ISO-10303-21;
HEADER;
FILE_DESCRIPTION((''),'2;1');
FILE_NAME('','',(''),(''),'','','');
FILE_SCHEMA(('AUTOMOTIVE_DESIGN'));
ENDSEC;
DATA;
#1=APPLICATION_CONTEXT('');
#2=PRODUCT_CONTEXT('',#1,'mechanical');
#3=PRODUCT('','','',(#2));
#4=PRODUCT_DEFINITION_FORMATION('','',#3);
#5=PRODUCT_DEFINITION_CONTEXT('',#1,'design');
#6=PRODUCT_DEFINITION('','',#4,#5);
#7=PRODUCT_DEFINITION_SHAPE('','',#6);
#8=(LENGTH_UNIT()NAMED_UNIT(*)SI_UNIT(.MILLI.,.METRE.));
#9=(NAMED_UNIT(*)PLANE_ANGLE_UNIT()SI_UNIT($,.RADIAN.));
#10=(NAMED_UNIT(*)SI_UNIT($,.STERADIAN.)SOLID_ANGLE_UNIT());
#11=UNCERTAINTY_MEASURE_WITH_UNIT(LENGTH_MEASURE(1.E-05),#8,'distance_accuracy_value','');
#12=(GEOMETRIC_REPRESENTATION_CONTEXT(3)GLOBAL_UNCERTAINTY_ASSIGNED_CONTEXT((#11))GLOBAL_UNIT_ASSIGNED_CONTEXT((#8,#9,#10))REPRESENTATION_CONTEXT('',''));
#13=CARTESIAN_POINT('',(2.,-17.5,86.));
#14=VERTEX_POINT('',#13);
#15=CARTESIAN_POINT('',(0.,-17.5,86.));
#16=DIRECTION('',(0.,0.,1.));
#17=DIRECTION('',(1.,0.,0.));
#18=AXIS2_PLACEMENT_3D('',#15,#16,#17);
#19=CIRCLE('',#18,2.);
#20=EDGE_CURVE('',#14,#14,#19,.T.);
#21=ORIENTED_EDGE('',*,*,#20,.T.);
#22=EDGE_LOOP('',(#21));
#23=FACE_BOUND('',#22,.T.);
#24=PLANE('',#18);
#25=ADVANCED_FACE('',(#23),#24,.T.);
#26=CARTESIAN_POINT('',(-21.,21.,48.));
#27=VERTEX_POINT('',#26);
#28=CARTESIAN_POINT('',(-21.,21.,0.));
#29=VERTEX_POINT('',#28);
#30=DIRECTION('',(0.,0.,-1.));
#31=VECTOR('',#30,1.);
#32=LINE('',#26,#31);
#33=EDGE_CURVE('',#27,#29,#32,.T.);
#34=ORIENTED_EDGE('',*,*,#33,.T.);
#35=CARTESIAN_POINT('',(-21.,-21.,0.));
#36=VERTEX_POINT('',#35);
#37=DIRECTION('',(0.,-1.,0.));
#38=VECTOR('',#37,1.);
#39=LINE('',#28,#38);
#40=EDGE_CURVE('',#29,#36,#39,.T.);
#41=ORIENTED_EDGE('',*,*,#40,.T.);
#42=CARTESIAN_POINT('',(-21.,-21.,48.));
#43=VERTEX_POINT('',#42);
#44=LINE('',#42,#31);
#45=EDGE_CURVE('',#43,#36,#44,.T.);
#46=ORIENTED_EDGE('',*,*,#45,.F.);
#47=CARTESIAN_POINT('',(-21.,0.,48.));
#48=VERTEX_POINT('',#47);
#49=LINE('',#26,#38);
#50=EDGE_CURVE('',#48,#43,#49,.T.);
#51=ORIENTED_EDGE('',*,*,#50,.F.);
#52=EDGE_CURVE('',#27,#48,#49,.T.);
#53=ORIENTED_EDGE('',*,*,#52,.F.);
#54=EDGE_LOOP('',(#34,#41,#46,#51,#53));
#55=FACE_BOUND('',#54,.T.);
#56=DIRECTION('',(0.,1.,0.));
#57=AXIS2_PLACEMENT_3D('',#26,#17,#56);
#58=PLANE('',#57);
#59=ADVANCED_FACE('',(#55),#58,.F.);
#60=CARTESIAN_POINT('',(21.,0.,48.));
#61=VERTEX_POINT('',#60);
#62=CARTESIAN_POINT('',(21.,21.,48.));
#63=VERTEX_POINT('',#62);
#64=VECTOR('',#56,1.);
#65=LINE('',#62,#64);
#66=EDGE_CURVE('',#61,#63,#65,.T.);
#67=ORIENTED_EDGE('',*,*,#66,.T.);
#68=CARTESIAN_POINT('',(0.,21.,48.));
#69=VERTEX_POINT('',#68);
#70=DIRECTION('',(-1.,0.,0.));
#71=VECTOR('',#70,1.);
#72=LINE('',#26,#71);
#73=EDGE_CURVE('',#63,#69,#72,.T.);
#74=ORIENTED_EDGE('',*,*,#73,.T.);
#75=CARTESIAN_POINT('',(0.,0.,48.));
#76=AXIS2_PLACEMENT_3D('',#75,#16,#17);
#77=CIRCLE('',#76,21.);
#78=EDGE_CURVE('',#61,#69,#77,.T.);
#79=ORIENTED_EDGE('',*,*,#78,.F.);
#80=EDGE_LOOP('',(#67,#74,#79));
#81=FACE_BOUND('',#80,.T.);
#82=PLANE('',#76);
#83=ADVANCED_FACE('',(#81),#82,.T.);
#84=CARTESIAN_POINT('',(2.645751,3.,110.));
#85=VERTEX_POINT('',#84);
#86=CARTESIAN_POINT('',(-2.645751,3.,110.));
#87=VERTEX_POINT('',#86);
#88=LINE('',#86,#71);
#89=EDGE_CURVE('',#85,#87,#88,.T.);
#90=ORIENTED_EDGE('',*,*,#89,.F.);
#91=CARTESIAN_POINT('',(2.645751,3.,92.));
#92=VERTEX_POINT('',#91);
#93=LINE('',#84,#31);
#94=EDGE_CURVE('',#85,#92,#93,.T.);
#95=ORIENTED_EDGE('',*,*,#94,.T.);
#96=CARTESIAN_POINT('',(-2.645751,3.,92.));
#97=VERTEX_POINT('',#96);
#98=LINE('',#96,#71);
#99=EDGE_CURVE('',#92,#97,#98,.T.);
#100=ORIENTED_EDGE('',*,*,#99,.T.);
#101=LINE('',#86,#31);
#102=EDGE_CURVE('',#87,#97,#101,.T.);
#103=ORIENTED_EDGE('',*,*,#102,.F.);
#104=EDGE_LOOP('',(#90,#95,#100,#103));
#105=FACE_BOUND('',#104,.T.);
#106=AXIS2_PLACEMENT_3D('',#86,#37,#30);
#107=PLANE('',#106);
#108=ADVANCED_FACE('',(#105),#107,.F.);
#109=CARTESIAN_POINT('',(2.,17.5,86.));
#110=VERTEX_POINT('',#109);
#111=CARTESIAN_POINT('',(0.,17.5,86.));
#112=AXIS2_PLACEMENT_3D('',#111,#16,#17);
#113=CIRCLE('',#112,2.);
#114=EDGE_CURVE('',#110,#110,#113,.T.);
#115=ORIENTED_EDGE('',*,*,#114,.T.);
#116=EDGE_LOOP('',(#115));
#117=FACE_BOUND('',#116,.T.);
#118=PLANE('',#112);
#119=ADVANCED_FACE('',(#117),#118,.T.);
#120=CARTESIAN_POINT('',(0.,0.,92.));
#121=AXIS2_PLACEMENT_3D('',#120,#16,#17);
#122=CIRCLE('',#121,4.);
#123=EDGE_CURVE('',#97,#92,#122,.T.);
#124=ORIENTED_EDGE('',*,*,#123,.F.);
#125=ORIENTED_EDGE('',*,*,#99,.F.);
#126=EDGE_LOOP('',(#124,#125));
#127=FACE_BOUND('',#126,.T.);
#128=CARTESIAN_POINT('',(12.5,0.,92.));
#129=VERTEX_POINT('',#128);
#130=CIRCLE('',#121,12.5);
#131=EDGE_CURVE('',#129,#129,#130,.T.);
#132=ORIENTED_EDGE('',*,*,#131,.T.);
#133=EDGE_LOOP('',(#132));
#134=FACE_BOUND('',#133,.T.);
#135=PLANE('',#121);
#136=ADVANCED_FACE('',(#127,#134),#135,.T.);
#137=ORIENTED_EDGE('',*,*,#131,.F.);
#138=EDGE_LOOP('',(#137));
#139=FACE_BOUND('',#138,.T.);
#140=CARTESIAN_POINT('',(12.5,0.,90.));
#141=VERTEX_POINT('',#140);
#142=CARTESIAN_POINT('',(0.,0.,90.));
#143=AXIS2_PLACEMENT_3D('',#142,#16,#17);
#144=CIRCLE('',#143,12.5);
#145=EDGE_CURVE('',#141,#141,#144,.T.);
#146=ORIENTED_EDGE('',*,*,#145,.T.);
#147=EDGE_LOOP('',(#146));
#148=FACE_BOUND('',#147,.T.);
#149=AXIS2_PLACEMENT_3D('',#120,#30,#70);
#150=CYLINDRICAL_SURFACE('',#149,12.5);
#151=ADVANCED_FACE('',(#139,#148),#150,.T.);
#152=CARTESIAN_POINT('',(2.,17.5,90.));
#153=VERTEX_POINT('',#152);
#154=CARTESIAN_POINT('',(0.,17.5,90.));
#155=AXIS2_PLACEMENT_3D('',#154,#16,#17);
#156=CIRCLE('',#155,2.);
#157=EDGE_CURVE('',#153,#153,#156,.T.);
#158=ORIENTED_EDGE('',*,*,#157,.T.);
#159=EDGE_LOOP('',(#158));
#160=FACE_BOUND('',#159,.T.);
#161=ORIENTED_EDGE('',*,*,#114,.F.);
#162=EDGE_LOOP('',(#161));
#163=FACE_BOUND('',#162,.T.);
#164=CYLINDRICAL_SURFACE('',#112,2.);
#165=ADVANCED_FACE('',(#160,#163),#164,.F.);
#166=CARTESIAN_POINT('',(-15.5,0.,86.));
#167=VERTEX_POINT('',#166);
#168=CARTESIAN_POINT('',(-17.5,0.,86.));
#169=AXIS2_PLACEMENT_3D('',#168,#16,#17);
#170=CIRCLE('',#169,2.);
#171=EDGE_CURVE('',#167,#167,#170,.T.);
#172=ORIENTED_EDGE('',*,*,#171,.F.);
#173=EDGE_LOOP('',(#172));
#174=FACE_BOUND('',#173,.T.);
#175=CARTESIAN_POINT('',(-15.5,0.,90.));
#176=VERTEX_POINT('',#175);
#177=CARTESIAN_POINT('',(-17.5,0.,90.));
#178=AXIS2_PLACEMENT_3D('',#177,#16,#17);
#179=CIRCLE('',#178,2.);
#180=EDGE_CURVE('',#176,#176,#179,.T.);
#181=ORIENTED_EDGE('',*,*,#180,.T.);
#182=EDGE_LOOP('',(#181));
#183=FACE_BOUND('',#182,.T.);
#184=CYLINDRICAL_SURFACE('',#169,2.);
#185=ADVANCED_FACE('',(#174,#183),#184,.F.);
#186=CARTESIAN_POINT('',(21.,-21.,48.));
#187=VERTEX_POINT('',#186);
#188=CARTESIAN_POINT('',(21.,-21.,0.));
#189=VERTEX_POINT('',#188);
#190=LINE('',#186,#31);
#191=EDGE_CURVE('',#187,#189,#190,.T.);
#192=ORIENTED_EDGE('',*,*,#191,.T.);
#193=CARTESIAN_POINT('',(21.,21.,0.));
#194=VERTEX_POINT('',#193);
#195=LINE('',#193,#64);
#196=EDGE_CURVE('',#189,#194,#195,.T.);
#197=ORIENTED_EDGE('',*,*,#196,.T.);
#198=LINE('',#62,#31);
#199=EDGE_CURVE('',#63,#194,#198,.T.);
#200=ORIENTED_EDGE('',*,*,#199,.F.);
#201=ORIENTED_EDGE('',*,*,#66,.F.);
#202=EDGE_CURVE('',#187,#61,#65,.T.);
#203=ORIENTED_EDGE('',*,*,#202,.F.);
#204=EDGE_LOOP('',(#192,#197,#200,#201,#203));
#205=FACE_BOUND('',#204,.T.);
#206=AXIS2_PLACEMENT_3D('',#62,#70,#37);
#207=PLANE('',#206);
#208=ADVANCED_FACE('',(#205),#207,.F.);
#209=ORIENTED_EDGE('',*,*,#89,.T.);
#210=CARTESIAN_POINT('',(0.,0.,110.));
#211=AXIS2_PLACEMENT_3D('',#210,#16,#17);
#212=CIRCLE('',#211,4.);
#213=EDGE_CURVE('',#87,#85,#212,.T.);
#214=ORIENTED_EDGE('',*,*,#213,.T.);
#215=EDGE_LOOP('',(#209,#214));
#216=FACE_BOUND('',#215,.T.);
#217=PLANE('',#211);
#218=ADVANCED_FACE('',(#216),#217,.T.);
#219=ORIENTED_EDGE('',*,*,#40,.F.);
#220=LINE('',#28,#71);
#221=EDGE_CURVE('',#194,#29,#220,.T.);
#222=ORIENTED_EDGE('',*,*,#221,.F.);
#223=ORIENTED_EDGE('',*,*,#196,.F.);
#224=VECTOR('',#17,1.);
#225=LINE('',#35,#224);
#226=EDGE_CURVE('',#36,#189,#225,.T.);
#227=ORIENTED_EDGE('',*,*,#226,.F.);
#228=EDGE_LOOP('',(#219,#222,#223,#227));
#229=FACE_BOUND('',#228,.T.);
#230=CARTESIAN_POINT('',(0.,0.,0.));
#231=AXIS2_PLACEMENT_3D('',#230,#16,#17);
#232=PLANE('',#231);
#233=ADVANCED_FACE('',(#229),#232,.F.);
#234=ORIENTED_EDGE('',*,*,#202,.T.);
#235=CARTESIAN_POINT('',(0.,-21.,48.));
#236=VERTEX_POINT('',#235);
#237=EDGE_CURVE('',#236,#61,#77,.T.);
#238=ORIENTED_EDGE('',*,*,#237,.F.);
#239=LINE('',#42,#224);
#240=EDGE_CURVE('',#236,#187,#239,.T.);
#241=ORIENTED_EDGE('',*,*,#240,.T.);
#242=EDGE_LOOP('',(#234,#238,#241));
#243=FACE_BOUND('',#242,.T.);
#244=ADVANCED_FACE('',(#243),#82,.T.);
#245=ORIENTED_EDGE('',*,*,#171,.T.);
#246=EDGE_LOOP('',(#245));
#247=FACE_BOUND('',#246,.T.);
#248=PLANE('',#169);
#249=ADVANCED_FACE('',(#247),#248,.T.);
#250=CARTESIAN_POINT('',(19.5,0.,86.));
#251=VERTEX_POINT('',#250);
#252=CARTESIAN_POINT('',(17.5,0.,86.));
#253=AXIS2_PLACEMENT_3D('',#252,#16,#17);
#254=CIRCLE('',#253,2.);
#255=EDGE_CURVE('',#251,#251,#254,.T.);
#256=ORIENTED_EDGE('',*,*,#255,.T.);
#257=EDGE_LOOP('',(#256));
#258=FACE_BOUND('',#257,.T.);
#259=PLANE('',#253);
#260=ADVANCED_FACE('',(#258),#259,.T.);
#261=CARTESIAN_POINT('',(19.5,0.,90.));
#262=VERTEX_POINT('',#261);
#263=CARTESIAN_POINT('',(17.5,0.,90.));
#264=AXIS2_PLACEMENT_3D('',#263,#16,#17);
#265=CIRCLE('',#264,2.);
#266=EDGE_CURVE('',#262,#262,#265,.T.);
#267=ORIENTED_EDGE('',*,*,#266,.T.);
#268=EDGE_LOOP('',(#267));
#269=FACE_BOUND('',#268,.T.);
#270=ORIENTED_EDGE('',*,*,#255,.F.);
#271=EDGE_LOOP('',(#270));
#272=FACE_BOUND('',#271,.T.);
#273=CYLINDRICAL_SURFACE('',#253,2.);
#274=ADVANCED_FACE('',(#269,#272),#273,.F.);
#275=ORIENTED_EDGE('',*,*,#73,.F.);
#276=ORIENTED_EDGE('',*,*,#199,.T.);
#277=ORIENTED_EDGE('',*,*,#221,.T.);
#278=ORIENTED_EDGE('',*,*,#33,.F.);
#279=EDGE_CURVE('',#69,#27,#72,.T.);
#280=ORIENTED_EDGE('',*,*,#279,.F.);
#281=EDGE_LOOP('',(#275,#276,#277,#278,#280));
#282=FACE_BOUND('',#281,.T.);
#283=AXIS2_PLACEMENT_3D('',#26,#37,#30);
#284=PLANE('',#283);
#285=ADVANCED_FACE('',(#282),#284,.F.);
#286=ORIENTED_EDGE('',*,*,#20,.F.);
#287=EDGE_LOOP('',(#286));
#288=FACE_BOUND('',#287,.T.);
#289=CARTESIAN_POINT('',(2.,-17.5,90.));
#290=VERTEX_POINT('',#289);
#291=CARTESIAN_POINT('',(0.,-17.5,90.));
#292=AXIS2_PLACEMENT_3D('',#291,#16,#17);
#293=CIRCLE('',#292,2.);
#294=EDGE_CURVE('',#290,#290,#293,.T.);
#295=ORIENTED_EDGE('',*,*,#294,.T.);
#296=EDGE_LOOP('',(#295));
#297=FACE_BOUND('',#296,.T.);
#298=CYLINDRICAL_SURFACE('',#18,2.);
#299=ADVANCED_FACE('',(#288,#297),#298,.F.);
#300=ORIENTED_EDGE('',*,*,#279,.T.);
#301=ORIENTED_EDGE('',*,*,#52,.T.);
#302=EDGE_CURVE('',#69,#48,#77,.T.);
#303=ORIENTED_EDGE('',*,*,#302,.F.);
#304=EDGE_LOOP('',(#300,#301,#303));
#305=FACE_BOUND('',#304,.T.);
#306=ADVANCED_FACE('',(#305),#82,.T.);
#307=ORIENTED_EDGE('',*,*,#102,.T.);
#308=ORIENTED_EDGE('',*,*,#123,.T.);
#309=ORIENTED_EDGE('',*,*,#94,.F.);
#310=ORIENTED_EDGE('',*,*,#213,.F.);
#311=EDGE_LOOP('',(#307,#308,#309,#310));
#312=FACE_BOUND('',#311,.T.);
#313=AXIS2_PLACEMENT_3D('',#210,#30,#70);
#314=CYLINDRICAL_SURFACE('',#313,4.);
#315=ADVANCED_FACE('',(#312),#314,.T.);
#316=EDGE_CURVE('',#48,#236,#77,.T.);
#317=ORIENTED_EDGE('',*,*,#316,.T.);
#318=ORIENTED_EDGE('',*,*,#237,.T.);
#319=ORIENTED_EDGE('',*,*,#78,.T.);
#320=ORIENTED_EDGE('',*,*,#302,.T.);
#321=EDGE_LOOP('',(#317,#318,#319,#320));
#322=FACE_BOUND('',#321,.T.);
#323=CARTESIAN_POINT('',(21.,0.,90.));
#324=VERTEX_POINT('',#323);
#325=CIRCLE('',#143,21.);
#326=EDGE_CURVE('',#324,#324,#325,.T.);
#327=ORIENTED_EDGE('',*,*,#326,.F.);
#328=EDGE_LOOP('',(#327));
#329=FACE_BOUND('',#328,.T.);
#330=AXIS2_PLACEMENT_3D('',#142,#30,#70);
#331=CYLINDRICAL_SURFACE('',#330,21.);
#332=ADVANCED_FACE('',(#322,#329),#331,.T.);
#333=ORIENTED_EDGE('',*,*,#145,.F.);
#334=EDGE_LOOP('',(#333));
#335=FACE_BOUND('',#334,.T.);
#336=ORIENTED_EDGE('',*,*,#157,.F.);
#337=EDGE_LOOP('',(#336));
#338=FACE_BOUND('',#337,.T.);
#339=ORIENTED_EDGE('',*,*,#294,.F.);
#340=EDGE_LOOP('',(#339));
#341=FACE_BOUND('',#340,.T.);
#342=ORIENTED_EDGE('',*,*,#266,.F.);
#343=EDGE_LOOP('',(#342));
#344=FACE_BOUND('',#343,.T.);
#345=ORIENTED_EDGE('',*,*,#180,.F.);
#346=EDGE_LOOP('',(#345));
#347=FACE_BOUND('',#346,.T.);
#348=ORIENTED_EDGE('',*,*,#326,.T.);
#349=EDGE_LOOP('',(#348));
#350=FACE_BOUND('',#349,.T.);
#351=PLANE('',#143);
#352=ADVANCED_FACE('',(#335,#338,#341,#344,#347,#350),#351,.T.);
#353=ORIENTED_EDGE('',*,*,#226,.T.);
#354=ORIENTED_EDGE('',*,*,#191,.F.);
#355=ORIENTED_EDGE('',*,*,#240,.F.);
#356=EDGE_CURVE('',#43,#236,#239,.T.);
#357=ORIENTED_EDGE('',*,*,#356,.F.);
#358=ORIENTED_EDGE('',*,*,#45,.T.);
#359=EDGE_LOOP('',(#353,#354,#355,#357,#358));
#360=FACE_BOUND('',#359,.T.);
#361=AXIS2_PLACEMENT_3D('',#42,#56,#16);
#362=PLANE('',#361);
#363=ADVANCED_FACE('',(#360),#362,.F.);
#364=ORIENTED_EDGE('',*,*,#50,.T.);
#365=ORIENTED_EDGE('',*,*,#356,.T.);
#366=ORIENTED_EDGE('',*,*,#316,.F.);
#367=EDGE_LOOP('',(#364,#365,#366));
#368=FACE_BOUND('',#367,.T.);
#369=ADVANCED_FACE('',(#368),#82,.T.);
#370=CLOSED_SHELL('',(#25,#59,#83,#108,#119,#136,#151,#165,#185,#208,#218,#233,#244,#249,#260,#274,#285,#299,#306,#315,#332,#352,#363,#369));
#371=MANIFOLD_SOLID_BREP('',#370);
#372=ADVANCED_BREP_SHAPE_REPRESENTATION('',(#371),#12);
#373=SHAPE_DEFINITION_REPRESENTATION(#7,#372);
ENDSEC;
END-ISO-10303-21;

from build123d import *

# Parameters (mm, degrees)
SKETCH_1_W          = 42
SKETCH_1_H          = 42
EXTRUDE_1_DEPTH     = 48
SKETCH_2_R          = 21
EXTRUDE_2_DEPTH     = 42
SKETCH_3_R          = 12.5
EXTRUDE_3_DEPTH     = 2
EXTRUDE_4_DEPTH     = 18
SKETCH_5_R          = 2
CUT_EXTRUDE_1_DEPTH = 4


with BuildPart() as part:
    # 草图1 → 凸台-拉伸1 (new body)
    with BuildSketch(Plane.XY):
        Rectangle(SKETCH_1_W, SKETCH_1_H)
    extrude(amount=EXTRUDE_1_DEPTH)

    # 草图2 → 凸台-拉伸2 (add)
    with BuildSketch(Plane.XY.offset(48)):
        Circle(SKETCH_2_R)
    extrude(amount=EXTRUDE_2_DEPTH)

    # 草图3 → 凸台-拉伸3 (add)
    with BuildSketch(Plane.XY.offset(90)):
        Circle(SKETCH_3_R)
    extrude(amount=EXTRUDE_3_DEPTH)

    # 草图4 → 凸台-拉伸4 (add)
    with BuildSketch(Plane.XY.offset(92)):
        with BuildLine():
            Line((-2.645751311, 3), (2.645751311, 3))
            ThreePointArc((2.645751311, 3), (0, -4), (-2.645751311, 3))
        make_face()
    extrude(amount=EXTRUDE_4_DEPTH)

    # 草图5 → 切除-拉伸1 (cut)
    with BuildSketch(Plane.XY.offset(90)):
        with Locations((0, -17.5)):
            Circle(SKETCH_5_R)
        with Locations((-17.5, 0)):
            Circle(SKETCH_5_R)
        with Locations((0, 17.5)):
            Circle(SKETCH_5_R)
        with Locations((17.5, 0)):
            Circle(SKETCH_5_R)
    extrude(amount=-CUT_EXTRUDE_1_DEPTH, mode=Mode.SUBTRACT)


solid = part.part
